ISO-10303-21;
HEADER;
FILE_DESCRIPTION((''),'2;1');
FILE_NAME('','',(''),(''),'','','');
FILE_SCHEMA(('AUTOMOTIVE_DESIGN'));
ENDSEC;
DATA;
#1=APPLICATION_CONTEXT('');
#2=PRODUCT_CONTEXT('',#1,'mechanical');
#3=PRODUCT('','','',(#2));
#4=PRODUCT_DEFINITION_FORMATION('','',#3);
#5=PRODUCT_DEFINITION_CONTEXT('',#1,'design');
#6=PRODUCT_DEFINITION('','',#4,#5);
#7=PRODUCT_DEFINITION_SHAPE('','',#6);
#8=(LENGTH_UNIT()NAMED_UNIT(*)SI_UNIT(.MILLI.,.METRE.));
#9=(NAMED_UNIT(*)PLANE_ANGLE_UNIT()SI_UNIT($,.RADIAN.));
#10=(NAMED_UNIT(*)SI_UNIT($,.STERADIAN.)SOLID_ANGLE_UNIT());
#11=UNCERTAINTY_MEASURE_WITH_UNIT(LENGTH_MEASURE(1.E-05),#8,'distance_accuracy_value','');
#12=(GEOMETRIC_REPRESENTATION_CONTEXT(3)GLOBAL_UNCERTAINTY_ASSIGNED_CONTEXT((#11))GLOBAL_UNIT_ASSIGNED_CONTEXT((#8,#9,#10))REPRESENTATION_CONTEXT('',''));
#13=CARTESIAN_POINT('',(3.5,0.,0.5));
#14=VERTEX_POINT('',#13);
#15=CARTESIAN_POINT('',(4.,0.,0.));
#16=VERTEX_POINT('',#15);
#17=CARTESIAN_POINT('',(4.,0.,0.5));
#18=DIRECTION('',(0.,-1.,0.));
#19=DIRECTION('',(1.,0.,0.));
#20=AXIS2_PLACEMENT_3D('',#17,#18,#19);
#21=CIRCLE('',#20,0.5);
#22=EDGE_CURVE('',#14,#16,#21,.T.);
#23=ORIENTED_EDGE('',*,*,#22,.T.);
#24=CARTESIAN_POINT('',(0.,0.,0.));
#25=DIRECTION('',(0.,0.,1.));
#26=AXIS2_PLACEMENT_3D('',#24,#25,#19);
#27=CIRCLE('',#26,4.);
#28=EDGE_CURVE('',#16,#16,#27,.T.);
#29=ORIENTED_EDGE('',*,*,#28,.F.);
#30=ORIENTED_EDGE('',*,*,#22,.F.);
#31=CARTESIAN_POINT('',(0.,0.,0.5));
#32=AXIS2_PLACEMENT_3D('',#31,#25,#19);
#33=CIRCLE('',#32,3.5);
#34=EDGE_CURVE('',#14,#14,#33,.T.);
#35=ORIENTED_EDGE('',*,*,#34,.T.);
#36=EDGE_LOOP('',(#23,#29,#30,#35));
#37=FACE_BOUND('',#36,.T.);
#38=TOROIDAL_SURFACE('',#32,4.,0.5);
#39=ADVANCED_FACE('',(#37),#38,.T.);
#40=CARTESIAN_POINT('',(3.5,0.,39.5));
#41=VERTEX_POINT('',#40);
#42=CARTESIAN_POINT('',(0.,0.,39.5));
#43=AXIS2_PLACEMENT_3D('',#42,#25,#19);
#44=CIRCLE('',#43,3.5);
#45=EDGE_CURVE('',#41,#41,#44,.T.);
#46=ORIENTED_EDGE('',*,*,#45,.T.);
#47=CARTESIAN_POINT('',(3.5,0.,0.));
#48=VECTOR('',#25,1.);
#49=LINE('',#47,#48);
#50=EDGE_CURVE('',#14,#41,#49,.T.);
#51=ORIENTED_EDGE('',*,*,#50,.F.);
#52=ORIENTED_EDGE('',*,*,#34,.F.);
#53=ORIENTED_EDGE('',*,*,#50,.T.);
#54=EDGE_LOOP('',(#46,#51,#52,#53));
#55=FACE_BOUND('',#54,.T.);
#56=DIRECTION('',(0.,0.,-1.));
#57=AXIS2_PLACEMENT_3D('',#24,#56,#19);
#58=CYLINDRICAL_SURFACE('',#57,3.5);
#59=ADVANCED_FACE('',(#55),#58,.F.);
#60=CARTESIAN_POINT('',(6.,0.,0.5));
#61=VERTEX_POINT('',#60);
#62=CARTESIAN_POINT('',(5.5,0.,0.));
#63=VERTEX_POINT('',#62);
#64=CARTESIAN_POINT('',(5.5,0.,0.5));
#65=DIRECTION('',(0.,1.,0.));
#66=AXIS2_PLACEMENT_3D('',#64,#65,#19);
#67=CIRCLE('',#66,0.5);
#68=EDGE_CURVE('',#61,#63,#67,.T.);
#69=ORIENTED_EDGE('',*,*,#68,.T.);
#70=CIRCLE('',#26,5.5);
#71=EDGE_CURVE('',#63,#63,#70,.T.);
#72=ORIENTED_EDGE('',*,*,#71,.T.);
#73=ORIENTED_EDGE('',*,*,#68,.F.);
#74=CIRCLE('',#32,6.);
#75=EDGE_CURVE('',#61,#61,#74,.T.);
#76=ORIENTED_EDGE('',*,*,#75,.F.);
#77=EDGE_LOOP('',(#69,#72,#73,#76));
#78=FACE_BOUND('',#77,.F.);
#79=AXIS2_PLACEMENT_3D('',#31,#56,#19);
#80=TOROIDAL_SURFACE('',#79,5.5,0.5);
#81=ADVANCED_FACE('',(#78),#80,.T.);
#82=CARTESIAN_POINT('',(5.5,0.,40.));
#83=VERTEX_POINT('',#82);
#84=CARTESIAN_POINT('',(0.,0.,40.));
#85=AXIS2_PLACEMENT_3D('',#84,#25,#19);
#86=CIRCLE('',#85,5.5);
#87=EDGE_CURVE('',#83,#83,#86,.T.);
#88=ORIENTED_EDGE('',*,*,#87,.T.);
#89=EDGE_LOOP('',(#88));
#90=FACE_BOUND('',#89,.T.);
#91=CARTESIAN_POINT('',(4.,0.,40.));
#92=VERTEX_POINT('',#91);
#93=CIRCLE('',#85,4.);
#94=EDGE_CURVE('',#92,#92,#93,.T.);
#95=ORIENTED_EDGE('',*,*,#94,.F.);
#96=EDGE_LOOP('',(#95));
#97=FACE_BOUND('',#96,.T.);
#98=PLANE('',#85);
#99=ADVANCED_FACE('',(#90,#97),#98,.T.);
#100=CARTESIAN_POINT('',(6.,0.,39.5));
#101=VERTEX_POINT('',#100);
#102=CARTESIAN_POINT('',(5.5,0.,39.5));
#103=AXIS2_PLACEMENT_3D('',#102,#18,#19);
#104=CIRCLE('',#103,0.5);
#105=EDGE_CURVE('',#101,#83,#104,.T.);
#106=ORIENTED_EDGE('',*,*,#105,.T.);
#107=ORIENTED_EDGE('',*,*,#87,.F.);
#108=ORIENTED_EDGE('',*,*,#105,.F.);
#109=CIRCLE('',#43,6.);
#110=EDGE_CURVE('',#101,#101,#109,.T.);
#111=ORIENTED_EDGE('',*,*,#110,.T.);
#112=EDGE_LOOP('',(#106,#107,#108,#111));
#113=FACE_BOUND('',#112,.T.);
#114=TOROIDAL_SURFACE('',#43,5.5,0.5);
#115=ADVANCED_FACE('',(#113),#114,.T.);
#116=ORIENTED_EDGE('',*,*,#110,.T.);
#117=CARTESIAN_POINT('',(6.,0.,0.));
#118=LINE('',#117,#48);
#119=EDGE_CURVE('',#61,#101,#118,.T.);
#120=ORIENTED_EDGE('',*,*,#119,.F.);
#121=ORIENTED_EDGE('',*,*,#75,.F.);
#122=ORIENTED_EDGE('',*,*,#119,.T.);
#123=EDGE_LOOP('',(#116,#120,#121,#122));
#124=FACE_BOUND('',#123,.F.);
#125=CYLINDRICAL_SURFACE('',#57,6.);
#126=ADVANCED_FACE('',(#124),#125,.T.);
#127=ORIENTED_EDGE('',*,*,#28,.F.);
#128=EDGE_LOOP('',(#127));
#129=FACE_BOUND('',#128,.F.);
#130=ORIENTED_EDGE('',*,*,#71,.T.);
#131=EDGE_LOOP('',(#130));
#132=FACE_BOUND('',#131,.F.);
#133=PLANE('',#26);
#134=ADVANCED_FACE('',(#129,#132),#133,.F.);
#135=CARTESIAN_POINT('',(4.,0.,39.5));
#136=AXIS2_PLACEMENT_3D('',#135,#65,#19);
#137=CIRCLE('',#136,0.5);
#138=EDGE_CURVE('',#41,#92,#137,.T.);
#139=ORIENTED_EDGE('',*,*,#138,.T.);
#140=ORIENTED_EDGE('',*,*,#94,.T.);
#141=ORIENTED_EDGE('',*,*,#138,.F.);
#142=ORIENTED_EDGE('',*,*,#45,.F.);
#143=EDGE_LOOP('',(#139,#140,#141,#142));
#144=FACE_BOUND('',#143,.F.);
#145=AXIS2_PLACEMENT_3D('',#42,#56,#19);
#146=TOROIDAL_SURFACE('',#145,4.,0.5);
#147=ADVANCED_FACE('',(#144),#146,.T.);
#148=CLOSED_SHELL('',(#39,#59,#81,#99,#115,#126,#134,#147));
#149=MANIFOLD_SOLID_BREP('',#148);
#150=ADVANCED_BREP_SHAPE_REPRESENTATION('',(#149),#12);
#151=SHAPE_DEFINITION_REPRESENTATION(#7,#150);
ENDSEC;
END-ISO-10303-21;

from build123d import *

# Parameters (mm, degrees)
SZKIC1_R                    = 6
SZKIC1_R_2                  = 3.5
DODANIE_WYCI_GNI_CIE1_DEPTH = 40
ZAOKR_GLENIE1_R             = 0.5


with BuildPart() as part:
    # Szkic1 → Dodanie-wyciągnięcie1 (new body)
    with BuildSketch(Plane.XY):
        Circle(SZKIC1_R)
        Circle(SZKIC1_R_2, mode=Mode.SUBTRACT)
    extrude(amount=DODANIE_WYCI_GNI_CIE1_DEPTH)

    # Zaokrąglenie1
    zaokr_glenie1_edges = [part.edges().sort_by_distance(p)[0] for p in [
        (-6, 0, 0),
        (-6, 0, 40),
        (-3.5, 0, 0),
        (-3.5, 0, 40),
    ]]
    fillet(zaokr_glenie1_edges, radius=ZAOKR_GLENIE1_R)


solid = part.part
